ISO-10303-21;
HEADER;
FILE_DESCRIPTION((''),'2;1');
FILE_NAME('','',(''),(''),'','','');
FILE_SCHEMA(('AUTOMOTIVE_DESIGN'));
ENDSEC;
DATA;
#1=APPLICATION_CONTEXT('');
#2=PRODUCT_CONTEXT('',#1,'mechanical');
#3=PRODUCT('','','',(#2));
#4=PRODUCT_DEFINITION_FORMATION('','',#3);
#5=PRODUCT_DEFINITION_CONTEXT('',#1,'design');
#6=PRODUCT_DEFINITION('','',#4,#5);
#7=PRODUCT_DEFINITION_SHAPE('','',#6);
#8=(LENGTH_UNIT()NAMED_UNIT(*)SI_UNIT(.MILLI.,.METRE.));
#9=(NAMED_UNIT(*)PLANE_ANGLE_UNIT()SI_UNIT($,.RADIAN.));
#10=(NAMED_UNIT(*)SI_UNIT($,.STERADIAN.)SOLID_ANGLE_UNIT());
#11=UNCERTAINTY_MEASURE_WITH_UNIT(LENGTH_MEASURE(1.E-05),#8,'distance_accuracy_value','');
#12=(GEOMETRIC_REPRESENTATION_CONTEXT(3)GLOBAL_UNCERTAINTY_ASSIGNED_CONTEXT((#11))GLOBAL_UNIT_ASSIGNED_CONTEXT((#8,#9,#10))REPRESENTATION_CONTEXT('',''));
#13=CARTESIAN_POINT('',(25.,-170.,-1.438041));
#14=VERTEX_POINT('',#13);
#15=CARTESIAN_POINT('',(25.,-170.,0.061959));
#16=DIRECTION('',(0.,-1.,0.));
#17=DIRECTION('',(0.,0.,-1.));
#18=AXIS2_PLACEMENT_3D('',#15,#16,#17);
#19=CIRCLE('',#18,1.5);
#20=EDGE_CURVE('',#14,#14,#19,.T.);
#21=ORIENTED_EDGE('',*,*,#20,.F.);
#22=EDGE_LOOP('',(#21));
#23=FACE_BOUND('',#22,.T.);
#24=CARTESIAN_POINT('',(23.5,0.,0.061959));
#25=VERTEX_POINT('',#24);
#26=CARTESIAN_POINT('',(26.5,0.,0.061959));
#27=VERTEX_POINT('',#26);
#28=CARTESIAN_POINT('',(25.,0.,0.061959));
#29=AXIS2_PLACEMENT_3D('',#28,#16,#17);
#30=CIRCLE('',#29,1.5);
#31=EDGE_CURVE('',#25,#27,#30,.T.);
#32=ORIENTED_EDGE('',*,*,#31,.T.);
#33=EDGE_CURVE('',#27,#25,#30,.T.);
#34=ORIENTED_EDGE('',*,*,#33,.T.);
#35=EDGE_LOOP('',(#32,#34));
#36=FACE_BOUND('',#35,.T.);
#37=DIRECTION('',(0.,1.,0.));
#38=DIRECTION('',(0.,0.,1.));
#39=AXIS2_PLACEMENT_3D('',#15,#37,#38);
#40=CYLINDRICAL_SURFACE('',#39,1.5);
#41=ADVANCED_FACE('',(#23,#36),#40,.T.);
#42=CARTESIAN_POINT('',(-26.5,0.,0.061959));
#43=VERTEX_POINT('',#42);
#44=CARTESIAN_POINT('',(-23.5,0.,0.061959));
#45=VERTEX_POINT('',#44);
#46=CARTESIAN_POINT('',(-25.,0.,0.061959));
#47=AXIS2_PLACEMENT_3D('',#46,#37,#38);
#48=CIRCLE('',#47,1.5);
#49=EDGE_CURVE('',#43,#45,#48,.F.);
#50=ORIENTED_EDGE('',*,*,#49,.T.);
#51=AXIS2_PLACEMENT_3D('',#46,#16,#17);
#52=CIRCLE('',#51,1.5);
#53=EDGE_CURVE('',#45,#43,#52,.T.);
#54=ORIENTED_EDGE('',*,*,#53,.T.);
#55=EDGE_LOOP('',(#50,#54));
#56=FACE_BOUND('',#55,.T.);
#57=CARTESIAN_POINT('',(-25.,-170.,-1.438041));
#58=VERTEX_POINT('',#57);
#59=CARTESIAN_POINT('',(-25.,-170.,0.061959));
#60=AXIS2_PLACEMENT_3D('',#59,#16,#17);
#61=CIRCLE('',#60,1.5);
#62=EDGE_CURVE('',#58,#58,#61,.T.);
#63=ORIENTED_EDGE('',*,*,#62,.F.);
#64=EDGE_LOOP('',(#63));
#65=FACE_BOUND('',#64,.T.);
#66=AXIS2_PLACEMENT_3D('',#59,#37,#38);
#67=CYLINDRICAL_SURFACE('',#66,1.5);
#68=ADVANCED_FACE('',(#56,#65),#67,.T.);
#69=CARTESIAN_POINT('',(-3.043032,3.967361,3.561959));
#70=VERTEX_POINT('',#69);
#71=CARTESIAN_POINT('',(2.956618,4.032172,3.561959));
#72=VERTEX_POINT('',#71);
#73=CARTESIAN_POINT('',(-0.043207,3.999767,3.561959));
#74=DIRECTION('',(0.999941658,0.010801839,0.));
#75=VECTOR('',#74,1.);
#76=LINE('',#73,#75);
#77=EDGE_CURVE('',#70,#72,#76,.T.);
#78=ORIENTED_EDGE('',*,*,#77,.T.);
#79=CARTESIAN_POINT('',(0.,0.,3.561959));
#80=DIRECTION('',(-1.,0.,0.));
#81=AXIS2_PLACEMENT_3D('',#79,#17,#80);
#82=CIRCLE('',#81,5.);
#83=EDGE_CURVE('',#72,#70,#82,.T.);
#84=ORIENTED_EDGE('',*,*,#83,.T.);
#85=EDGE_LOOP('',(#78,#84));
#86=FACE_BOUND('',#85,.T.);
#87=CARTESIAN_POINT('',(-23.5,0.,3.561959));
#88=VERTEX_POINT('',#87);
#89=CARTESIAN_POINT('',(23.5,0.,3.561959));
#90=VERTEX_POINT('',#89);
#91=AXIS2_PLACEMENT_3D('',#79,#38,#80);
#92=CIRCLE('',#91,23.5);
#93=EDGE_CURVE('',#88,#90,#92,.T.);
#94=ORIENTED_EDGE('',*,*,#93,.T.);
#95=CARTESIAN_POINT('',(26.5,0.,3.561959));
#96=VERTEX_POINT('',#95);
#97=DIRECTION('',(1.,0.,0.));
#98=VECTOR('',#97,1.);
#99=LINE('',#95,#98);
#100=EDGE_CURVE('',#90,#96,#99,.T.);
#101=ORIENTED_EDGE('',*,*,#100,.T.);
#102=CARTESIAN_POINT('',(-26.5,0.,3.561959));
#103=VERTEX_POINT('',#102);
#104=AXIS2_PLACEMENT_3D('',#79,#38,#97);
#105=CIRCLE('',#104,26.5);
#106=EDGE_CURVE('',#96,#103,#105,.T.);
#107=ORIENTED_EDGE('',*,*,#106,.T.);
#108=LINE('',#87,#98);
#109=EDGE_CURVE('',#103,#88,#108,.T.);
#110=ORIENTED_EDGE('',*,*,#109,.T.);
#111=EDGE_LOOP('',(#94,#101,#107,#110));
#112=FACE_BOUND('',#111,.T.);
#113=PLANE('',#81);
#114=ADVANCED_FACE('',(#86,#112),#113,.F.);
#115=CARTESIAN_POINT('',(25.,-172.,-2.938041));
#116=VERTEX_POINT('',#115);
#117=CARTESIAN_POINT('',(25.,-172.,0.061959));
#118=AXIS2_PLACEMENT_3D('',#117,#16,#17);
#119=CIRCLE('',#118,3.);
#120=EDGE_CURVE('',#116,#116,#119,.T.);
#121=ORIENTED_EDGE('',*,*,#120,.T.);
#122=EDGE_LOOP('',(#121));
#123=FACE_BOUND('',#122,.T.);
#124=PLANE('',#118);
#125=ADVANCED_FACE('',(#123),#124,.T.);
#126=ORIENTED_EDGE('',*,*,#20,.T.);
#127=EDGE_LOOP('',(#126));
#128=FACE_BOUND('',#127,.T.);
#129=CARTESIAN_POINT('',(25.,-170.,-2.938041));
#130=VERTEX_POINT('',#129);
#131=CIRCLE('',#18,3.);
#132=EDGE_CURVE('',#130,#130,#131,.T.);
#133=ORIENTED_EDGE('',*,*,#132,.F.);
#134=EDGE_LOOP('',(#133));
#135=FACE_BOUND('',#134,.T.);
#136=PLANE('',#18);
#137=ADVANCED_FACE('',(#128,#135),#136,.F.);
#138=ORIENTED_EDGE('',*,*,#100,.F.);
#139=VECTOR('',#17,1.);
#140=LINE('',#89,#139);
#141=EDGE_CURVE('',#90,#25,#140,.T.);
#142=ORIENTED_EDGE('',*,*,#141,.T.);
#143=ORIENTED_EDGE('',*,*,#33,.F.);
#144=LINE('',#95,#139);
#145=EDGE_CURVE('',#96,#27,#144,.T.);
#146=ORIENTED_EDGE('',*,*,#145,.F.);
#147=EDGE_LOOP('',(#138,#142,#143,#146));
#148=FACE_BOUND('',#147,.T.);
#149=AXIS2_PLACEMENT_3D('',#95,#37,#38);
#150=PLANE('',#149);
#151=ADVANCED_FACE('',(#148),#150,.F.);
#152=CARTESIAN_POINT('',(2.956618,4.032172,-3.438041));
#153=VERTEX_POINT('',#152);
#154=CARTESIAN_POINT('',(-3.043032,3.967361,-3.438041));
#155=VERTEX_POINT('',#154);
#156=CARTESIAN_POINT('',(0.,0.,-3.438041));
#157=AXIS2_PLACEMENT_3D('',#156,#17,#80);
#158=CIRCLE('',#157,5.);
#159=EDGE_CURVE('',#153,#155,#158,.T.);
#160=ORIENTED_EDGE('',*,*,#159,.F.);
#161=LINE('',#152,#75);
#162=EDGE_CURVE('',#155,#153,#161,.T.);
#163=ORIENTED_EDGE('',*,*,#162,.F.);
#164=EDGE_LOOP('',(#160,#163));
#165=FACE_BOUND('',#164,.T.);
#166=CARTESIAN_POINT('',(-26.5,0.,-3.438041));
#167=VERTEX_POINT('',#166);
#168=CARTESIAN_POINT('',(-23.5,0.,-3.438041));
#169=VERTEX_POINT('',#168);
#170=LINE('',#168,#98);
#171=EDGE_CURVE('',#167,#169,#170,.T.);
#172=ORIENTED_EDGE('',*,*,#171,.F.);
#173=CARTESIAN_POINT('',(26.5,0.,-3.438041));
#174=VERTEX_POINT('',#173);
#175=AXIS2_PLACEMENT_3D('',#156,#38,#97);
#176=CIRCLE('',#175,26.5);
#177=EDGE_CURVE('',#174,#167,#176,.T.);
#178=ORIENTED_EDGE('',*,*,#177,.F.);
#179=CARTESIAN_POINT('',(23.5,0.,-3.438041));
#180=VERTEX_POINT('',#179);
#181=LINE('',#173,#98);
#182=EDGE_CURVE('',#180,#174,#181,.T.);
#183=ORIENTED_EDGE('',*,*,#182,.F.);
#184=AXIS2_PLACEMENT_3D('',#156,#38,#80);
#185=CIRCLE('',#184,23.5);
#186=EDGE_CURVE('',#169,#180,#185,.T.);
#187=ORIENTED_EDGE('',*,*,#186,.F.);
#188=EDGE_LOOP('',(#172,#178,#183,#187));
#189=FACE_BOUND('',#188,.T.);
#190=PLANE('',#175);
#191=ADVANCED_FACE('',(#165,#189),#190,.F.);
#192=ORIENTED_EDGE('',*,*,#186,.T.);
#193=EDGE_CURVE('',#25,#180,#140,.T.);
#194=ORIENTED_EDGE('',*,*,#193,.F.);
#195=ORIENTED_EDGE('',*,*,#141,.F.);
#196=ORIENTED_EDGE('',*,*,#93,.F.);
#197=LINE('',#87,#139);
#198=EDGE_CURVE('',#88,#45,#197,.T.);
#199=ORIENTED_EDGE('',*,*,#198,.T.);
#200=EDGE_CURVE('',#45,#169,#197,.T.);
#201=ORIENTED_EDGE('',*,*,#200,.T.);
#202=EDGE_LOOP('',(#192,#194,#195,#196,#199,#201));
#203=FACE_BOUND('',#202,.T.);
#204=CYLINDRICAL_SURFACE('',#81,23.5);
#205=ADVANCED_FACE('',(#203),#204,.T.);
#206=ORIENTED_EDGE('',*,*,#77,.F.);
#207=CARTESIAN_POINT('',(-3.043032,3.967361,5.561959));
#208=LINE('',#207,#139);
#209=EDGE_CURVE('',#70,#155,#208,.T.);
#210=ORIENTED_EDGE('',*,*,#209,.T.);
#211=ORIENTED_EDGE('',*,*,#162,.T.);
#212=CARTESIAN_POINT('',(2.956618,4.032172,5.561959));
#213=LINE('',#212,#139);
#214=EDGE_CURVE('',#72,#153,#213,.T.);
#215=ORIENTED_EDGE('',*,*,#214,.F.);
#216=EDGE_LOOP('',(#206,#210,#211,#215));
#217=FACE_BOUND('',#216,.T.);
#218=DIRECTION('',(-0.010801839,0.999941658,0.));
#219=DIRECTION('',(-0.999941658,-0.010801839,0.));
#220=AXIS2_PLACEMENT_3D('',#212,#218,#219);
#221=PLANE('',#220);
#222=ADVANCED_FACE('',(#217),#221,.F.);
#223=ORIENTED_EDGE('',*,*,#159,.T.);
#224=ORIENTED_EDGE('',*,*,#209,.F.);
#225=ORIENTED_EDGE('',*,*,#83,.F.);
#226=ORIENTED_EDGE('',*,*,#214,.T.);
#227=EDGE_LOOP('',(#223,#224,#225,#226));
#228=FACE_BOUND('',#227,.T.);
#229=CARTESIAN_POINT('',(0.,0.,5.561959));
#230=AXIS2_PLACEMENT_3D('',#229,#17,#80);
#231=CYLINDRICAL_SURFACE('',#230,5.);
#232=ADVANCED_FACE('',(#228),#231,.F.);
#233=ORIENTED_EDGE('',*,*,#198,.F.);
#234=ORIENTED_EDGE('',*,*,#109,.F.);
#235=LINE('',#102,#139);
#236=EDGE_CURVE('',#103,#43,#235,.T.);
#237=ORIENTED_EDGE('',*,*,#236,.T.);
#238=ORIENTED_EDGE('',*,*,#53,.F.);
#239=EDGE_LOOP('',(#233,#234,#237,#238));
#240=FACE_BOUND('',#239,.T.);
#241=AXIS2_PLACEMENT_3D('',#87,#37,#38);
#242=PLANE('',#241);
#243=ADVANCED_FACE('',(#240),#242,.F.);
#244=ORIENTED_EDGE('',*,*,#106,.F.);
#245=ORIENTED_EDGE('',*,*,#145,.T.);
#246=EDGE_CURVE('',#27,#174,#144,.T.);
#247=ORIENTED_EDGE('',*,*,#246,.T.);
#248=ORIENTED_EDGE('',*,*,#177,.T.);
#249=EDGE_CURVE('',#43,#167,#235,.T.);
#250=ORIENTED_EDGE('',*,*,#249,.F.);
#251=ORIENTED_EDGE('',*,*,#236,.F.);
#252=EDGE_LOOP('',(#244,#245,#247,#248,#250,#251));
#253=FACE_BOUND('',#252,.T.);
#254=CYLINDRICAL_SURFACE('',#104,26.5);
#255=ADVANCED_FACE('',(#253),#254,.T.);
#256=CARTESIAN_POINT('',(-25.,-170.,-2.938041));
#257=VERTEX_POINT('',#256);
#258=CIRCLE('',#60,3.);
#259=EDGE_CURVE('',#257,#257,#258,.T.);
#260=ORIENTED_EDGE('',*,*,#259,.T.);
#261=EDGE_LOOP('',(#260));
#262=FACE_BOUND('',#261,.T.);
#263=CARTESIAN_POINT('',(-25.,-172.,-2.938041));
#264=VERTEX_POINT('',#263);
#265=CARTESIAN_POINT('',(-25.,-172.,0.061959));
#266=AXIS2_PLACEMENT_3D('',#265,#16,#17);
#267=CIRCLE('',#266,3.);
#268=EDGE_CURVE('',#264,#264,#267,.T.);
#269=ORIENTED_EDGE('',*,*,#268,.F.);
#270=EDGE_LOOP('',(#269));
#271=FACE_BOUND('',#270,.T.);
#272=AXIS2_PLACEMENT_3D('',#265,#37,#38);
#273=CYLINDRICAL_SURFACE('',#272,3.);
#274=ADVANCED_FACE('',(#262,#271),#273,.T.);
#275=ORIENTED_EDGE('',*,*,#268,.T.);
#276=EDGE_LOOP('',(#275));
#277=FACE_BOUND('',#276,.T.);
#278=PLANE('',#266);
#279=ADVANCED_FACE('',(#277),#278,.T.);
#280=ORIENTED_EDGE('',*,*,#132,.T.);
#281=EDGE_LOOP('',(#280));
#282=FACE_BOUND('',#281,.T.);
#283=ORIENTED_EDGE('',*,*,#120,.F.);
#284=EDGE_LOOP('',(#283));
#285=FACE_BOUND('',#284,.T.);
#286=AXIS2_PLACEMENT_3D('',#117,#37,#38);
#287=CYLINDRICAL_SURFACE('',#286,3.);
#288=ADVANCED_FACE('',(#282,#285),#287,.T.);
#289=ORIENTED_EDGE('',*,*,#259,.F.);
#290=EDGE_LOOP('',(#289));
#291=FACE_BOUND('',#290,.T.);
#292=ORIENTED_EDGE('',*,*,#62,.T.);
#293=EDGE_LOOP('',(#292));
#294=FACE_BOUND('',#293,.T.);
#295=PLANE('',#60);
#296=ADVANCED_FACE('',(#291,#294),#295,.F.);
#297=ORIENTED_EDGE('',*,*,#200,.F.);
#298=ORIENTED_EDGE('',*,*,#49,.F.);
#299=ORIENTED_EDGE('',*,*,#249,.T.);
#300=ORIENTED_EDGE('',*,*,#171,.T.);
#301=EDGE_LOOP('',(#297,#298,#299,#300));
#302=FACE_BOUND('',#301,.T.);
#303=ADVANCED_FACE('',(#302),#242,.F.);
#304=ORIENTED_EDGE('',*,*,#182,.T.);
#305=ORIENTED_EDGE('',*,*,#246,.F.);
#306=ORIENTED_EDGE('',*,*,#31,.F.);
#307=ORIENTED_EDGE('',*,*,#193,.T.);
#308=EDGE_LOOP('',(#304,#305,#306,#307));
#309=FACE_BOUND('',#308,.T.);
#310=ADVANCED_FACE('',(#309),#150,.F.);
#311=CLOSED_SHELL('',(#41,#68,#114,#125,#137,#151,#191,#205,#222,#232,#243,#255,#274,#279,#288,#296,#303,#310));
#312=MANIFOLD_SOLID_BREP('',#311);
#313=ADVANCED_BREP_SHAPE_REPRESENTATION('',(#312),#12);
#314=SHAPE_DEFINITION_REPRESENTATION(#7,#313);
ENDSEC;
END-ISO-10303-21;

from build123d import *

# Parameters (mm, degrees)
CUT_EXTRUDE1_DEPTH  = 9
CUT_EXTRUDE2_START  = -7
CUT_EXTRUDE2_DEPTH  = 7
SKETCH6_R           = 1.5
BOSS_EXTRUDE1_DEPTH = 170
SKETCH7_R           = 3
BOSS_EXTRUDE2_DEPTH = 2


with BuildPart() as part:
    # Sketch2 → Revolve1 (revolve)
    with BuildSketch(Plane(origin=(0, 0, 0), x_dir=(0, 0, -1), z_dir=(1, 0, 0)), mode=Mode.PRIVATE) as revolve1_sk:
        Polygon((-3.561959221, 0), (3.438040779, 0), (3.438040779, 26.5), (1.438040779, 26.5), (-1.561959221, 26.5), (-3.561959221, 26.5), align=None)
    revolve(revolve1_sk.sketch.rotate(Axis((0, 0, 3.561959221), (0, 0, -1)), 90), axis=Axis((0, 0, 3.561959221), (0, 0, -1)))

    # Sketch3 → Cut-Extrude1 (cut)
    with BuildSketch(Plane(origin=(0, 0, -3.438040779), x_dir=(-1, 0, 0), z_dir=(0, 0, -1))):
        with BuildLine():
            Line((-2.95661762, 4.03217215), (3.043032331, 3.967361117))
            ThreePointArc((3.043032331, 3.967361117), (-0.054009195, -4.999708292), (-2.95661762, 4.03217215))
        make_face()
    extrude(amount=-CUT_EXTRUDE1_DEPTH, mode=Mode.SUBTRACT)

    # Sketch5 → Cut-Extrude2 (cut)
    with BuildSketch(Plane(origin=(0, 0, -3.438040779), x_dir=(-1, 0, 0), z_dir=(0, 0, -1)).offset(CUT_EXTRUDE2_START)):
        with BuildLine():
            Line((-26.5, 0), (-23.5, 0))
            ThreePointArc((-23.5, 0), (0, -23.5), (23.5, 0))
            Line((23.5, 0), (26.5, 0))
            ThreePointArc((26.5, 0), (0, -26.5), (-26.5, 0))
        make_face()
    extrude(amount=CUT_EXTRUDE2_DEPTH, mode=Mode.SUBTRACT)

    # Sketch6 → Boss-Extrude1 (add)
    with BuildSketch(Plane.XZ):
        with Locations(Location((25, 0.061959221, 0), (0, 0, 180))):
            Circle(SKETCH6_R)
        with Locations(Location((-25, 0.061959221, 0), (0, 0, 180))):
            Circle(SKETCH6_R)
    extrude(amount=BOSS_EXTRUDE1_DEPTH)

    # Sketch7 → Boss-Extrude2 (add)
    with BuildSketch(Plane.XZ.offset(170)):
        with Locations(Location((25, 0.061959221, 0), (0, 0, 270))):
            Circle(SKETCH7_R)
        with Locations(Location((-25, 0.061959221, 0), (0, 0, 270))):
            Circle(SKETCH7_R)
    extrude(amount=BOSS_EXTRUDE2_DEPTH)


solid = part.part
